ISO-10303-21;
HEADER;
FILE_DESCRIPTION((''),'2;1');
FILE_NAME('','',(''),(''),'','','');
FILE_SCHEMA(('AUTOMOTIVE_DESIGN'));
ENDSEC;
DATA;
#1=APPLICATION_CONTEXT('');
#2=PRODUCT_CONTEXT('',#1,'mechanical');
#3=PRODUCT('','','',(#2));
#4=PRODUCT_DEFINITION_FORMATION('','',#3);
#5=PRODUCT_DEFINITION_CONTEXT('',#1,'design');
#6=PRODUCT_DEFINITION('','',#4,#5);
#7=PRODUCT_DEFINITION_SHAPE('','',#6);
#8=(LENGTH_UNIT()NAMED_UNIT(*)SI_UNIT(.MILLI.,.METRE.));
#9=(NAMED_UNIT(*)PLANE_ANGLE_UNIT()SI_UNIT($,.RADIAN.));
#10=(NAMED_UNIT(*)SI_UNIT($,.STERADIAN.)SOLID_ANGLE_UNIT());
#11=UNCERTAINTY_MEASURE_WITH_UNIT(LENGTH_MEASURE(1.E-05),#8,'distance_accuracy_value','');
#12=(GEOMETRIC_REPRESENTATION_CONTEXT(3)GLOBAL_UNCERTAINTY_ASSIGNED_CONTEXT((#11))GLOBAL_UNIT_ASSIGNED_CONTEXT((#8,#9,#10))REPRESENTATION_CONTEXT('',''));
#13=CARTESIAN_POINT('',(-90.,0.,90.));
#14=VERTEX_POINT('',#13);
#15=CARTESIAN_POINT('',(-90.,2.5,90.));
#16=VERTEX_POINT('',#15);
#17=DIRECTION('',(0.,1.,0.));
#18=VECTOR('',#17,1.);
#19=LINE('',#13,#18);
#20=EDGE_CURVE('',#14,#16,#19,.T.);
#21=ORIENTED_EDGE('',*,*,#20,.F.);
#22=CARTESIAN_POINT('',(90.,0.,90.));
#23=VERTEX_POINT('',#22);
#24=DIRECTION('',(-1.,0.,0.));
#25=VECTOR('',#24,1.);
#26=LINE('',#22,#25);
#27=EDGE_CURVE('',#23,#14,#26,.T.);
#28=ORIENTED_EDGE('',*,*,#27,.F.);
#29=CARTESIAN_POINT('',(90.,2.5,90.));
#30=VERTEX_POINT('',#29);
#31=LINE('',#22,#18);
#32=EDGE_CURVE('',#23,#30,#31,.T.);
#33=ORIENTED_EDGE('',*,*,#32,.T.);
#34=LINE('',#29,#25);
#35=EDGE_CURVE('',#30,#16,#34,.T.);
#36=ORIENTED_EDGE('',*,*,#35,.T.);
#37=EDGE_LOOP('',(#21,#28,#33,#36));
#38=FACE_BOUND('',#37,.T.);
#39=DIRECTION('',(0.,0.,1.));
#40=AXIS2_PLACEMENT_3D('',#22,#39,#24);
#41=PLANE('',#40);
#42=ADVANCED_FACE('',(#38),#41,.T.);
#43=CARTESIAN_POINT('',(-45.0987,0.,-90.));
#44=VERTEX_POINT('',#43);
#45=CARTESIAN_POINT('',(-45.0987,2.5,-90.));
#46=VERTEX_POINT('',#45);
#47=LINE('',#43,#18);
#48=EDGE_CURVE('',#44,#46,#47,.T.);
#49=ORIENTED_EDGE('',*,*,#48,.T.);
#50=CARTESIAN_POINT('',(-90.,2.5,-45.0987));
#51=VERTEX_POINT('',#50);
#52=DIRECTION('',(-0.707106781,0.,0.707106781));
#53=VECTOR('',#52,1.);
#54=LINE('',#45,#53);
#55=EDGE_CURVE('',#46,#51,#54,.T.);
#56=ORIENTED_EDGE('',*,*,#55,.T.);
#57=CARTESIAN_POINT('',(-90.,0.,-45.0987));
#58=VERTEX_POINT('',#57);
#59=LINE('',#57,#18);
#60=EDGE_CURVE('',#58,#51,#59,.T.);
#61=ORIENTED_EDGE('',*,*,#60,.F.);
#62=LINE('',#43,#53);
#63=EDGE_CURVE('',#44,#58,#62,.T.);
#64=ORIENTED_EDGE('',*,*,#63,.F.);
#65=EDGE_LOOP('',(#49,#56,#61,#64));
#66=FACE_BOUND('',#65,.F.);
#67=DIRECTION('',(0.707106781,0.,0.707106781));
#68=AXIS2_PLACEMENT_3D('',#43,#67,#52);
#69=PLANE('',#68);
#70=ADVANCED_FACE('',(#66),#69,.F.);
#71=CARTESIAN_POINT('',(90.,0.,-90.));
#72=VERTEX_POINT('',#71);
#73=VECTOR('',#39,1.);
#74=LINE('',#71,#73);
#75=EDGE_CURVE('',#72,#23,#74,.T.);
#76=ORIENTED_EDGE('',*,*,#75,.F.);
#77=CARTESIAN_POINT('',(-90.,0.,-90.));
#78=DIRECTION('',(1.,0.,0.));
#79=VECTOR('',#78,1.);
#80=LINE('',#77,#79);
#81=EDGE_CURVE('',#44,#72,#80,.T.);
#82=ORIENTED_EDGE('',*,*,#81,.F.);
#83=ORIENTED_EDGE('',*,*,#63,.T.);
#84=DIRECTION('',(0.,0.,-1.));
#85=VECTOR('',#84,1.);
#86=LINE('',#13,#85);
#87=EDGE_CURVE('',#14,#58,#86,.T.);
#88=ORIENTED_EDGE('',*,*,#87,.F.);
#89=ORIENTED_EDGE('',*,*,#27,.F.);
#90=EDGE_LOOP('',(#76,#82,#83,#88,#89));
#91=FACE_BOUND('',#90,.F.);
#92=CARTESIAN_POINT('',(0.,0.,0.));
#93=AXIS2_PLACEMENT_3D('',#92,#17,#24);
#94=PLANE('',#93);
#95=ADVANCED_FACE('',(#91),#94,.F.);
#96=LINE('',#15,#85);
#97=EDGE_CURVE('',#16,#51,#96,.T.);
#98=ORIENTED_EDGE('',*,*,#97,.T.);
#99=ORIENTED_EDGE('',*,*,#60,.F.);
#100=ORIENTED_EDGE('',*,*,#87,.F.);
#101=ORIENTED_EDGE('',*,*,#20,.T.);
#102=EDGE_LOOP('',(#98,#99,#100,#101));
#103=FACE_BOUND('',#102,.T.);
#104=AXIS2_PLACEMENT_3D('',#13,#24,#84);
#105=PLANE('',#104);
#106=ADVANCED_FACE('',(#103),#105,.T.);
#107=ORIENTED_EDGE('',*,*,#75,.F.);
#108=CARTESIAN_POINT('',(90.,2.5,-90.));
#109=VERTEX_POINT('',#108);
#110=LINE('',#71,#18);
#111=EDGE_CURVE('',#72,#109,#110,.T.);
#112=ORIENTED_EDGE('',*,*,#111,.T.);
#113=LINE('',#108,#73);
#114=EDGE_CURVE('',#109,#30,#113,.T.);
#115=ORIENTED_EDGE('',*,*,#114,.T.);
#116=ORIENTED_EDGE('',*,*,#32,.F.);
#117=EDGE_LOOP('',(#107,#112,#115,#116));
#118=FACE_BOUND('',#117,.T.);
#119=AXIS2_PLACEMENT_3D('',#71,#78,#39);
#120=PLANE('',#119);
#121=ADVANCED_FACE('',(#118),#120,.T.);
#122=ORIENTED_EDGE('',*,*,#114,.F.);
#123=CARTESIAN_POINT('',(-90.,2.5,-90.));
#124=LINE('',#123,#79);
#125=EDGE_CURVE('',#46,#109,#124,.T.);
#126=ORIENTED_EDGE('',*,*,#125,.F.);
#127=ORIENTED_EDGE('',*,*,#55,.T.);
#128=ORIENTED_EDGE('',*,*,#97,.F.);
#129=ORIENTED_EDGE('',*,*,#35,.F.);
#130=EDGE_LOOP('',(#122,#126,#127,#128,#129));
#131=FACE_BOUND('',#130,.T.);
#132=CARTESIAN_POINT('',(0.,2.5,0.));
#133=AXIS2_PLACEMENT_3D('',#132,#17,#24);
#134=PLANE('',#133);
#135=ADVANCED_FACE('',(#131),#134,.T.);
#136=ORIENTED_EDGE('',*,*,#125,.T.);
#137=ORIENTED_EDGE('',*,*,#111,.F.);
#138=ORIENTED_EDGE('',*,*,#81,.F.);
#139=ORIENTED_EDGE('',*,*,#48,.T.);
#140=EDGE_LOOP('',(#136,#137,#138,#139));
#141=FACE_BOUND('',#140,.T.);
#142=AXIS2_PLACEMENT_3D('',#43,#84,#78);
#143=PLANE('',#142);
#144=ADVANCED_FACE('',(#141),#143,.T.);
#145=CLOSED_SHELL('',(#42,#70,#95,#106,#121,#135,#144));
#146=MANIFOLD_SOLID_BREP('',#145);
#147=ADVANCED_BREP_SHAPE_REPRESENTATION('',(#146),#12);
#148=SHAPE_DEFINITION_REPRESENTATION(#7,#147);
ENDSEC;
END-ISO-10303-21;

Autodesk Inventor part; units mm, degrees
ref_plane "YZ Plane" through (0, 0, 0) normal (1, 0, 0) x (0, 1, 0)
ref_plane "XZ Plane" through (0, 0, 0) normal (0, 1, 0) x (-1, 0, 0)
ref_plane "XY Plane" through (0, 0, 0) normal (0, 0, 1) x (1, 0, 0)
sketch "Sketch1" plane through (0, 0, 0) normal (0, 1, 0) x (-1, 0, 0)
  line L0 (-90, 90) -> (90, 90)
  line L1 (90, 90) -> (90, -90)
  line L2 (90, -90) -> (-90, -90)
  line L3 (-90, -90) -> (-90, 90)
  line L4 (45.0987, -90) -> (90, -45.0987)
  line L5 (45.0987, -90) -> (108.5987, -90) construction
  point P0 (0, 0)
  point P1 (-90.1, 76.6)
  dimension "d3" = 90
  dimension "d4" = 90
  dimension "d5" = 90
  dimension "d6" = 90
  dimension "d7" = 45
  dimension "d8" = 31.75
  dimension "d9" = 180
extrude "Extrusion1" add sketch "Sketch1" along normal blind 2.5 contours L0 L1 L4 L2 L3
properties part number "Lid_Clear_Model"
